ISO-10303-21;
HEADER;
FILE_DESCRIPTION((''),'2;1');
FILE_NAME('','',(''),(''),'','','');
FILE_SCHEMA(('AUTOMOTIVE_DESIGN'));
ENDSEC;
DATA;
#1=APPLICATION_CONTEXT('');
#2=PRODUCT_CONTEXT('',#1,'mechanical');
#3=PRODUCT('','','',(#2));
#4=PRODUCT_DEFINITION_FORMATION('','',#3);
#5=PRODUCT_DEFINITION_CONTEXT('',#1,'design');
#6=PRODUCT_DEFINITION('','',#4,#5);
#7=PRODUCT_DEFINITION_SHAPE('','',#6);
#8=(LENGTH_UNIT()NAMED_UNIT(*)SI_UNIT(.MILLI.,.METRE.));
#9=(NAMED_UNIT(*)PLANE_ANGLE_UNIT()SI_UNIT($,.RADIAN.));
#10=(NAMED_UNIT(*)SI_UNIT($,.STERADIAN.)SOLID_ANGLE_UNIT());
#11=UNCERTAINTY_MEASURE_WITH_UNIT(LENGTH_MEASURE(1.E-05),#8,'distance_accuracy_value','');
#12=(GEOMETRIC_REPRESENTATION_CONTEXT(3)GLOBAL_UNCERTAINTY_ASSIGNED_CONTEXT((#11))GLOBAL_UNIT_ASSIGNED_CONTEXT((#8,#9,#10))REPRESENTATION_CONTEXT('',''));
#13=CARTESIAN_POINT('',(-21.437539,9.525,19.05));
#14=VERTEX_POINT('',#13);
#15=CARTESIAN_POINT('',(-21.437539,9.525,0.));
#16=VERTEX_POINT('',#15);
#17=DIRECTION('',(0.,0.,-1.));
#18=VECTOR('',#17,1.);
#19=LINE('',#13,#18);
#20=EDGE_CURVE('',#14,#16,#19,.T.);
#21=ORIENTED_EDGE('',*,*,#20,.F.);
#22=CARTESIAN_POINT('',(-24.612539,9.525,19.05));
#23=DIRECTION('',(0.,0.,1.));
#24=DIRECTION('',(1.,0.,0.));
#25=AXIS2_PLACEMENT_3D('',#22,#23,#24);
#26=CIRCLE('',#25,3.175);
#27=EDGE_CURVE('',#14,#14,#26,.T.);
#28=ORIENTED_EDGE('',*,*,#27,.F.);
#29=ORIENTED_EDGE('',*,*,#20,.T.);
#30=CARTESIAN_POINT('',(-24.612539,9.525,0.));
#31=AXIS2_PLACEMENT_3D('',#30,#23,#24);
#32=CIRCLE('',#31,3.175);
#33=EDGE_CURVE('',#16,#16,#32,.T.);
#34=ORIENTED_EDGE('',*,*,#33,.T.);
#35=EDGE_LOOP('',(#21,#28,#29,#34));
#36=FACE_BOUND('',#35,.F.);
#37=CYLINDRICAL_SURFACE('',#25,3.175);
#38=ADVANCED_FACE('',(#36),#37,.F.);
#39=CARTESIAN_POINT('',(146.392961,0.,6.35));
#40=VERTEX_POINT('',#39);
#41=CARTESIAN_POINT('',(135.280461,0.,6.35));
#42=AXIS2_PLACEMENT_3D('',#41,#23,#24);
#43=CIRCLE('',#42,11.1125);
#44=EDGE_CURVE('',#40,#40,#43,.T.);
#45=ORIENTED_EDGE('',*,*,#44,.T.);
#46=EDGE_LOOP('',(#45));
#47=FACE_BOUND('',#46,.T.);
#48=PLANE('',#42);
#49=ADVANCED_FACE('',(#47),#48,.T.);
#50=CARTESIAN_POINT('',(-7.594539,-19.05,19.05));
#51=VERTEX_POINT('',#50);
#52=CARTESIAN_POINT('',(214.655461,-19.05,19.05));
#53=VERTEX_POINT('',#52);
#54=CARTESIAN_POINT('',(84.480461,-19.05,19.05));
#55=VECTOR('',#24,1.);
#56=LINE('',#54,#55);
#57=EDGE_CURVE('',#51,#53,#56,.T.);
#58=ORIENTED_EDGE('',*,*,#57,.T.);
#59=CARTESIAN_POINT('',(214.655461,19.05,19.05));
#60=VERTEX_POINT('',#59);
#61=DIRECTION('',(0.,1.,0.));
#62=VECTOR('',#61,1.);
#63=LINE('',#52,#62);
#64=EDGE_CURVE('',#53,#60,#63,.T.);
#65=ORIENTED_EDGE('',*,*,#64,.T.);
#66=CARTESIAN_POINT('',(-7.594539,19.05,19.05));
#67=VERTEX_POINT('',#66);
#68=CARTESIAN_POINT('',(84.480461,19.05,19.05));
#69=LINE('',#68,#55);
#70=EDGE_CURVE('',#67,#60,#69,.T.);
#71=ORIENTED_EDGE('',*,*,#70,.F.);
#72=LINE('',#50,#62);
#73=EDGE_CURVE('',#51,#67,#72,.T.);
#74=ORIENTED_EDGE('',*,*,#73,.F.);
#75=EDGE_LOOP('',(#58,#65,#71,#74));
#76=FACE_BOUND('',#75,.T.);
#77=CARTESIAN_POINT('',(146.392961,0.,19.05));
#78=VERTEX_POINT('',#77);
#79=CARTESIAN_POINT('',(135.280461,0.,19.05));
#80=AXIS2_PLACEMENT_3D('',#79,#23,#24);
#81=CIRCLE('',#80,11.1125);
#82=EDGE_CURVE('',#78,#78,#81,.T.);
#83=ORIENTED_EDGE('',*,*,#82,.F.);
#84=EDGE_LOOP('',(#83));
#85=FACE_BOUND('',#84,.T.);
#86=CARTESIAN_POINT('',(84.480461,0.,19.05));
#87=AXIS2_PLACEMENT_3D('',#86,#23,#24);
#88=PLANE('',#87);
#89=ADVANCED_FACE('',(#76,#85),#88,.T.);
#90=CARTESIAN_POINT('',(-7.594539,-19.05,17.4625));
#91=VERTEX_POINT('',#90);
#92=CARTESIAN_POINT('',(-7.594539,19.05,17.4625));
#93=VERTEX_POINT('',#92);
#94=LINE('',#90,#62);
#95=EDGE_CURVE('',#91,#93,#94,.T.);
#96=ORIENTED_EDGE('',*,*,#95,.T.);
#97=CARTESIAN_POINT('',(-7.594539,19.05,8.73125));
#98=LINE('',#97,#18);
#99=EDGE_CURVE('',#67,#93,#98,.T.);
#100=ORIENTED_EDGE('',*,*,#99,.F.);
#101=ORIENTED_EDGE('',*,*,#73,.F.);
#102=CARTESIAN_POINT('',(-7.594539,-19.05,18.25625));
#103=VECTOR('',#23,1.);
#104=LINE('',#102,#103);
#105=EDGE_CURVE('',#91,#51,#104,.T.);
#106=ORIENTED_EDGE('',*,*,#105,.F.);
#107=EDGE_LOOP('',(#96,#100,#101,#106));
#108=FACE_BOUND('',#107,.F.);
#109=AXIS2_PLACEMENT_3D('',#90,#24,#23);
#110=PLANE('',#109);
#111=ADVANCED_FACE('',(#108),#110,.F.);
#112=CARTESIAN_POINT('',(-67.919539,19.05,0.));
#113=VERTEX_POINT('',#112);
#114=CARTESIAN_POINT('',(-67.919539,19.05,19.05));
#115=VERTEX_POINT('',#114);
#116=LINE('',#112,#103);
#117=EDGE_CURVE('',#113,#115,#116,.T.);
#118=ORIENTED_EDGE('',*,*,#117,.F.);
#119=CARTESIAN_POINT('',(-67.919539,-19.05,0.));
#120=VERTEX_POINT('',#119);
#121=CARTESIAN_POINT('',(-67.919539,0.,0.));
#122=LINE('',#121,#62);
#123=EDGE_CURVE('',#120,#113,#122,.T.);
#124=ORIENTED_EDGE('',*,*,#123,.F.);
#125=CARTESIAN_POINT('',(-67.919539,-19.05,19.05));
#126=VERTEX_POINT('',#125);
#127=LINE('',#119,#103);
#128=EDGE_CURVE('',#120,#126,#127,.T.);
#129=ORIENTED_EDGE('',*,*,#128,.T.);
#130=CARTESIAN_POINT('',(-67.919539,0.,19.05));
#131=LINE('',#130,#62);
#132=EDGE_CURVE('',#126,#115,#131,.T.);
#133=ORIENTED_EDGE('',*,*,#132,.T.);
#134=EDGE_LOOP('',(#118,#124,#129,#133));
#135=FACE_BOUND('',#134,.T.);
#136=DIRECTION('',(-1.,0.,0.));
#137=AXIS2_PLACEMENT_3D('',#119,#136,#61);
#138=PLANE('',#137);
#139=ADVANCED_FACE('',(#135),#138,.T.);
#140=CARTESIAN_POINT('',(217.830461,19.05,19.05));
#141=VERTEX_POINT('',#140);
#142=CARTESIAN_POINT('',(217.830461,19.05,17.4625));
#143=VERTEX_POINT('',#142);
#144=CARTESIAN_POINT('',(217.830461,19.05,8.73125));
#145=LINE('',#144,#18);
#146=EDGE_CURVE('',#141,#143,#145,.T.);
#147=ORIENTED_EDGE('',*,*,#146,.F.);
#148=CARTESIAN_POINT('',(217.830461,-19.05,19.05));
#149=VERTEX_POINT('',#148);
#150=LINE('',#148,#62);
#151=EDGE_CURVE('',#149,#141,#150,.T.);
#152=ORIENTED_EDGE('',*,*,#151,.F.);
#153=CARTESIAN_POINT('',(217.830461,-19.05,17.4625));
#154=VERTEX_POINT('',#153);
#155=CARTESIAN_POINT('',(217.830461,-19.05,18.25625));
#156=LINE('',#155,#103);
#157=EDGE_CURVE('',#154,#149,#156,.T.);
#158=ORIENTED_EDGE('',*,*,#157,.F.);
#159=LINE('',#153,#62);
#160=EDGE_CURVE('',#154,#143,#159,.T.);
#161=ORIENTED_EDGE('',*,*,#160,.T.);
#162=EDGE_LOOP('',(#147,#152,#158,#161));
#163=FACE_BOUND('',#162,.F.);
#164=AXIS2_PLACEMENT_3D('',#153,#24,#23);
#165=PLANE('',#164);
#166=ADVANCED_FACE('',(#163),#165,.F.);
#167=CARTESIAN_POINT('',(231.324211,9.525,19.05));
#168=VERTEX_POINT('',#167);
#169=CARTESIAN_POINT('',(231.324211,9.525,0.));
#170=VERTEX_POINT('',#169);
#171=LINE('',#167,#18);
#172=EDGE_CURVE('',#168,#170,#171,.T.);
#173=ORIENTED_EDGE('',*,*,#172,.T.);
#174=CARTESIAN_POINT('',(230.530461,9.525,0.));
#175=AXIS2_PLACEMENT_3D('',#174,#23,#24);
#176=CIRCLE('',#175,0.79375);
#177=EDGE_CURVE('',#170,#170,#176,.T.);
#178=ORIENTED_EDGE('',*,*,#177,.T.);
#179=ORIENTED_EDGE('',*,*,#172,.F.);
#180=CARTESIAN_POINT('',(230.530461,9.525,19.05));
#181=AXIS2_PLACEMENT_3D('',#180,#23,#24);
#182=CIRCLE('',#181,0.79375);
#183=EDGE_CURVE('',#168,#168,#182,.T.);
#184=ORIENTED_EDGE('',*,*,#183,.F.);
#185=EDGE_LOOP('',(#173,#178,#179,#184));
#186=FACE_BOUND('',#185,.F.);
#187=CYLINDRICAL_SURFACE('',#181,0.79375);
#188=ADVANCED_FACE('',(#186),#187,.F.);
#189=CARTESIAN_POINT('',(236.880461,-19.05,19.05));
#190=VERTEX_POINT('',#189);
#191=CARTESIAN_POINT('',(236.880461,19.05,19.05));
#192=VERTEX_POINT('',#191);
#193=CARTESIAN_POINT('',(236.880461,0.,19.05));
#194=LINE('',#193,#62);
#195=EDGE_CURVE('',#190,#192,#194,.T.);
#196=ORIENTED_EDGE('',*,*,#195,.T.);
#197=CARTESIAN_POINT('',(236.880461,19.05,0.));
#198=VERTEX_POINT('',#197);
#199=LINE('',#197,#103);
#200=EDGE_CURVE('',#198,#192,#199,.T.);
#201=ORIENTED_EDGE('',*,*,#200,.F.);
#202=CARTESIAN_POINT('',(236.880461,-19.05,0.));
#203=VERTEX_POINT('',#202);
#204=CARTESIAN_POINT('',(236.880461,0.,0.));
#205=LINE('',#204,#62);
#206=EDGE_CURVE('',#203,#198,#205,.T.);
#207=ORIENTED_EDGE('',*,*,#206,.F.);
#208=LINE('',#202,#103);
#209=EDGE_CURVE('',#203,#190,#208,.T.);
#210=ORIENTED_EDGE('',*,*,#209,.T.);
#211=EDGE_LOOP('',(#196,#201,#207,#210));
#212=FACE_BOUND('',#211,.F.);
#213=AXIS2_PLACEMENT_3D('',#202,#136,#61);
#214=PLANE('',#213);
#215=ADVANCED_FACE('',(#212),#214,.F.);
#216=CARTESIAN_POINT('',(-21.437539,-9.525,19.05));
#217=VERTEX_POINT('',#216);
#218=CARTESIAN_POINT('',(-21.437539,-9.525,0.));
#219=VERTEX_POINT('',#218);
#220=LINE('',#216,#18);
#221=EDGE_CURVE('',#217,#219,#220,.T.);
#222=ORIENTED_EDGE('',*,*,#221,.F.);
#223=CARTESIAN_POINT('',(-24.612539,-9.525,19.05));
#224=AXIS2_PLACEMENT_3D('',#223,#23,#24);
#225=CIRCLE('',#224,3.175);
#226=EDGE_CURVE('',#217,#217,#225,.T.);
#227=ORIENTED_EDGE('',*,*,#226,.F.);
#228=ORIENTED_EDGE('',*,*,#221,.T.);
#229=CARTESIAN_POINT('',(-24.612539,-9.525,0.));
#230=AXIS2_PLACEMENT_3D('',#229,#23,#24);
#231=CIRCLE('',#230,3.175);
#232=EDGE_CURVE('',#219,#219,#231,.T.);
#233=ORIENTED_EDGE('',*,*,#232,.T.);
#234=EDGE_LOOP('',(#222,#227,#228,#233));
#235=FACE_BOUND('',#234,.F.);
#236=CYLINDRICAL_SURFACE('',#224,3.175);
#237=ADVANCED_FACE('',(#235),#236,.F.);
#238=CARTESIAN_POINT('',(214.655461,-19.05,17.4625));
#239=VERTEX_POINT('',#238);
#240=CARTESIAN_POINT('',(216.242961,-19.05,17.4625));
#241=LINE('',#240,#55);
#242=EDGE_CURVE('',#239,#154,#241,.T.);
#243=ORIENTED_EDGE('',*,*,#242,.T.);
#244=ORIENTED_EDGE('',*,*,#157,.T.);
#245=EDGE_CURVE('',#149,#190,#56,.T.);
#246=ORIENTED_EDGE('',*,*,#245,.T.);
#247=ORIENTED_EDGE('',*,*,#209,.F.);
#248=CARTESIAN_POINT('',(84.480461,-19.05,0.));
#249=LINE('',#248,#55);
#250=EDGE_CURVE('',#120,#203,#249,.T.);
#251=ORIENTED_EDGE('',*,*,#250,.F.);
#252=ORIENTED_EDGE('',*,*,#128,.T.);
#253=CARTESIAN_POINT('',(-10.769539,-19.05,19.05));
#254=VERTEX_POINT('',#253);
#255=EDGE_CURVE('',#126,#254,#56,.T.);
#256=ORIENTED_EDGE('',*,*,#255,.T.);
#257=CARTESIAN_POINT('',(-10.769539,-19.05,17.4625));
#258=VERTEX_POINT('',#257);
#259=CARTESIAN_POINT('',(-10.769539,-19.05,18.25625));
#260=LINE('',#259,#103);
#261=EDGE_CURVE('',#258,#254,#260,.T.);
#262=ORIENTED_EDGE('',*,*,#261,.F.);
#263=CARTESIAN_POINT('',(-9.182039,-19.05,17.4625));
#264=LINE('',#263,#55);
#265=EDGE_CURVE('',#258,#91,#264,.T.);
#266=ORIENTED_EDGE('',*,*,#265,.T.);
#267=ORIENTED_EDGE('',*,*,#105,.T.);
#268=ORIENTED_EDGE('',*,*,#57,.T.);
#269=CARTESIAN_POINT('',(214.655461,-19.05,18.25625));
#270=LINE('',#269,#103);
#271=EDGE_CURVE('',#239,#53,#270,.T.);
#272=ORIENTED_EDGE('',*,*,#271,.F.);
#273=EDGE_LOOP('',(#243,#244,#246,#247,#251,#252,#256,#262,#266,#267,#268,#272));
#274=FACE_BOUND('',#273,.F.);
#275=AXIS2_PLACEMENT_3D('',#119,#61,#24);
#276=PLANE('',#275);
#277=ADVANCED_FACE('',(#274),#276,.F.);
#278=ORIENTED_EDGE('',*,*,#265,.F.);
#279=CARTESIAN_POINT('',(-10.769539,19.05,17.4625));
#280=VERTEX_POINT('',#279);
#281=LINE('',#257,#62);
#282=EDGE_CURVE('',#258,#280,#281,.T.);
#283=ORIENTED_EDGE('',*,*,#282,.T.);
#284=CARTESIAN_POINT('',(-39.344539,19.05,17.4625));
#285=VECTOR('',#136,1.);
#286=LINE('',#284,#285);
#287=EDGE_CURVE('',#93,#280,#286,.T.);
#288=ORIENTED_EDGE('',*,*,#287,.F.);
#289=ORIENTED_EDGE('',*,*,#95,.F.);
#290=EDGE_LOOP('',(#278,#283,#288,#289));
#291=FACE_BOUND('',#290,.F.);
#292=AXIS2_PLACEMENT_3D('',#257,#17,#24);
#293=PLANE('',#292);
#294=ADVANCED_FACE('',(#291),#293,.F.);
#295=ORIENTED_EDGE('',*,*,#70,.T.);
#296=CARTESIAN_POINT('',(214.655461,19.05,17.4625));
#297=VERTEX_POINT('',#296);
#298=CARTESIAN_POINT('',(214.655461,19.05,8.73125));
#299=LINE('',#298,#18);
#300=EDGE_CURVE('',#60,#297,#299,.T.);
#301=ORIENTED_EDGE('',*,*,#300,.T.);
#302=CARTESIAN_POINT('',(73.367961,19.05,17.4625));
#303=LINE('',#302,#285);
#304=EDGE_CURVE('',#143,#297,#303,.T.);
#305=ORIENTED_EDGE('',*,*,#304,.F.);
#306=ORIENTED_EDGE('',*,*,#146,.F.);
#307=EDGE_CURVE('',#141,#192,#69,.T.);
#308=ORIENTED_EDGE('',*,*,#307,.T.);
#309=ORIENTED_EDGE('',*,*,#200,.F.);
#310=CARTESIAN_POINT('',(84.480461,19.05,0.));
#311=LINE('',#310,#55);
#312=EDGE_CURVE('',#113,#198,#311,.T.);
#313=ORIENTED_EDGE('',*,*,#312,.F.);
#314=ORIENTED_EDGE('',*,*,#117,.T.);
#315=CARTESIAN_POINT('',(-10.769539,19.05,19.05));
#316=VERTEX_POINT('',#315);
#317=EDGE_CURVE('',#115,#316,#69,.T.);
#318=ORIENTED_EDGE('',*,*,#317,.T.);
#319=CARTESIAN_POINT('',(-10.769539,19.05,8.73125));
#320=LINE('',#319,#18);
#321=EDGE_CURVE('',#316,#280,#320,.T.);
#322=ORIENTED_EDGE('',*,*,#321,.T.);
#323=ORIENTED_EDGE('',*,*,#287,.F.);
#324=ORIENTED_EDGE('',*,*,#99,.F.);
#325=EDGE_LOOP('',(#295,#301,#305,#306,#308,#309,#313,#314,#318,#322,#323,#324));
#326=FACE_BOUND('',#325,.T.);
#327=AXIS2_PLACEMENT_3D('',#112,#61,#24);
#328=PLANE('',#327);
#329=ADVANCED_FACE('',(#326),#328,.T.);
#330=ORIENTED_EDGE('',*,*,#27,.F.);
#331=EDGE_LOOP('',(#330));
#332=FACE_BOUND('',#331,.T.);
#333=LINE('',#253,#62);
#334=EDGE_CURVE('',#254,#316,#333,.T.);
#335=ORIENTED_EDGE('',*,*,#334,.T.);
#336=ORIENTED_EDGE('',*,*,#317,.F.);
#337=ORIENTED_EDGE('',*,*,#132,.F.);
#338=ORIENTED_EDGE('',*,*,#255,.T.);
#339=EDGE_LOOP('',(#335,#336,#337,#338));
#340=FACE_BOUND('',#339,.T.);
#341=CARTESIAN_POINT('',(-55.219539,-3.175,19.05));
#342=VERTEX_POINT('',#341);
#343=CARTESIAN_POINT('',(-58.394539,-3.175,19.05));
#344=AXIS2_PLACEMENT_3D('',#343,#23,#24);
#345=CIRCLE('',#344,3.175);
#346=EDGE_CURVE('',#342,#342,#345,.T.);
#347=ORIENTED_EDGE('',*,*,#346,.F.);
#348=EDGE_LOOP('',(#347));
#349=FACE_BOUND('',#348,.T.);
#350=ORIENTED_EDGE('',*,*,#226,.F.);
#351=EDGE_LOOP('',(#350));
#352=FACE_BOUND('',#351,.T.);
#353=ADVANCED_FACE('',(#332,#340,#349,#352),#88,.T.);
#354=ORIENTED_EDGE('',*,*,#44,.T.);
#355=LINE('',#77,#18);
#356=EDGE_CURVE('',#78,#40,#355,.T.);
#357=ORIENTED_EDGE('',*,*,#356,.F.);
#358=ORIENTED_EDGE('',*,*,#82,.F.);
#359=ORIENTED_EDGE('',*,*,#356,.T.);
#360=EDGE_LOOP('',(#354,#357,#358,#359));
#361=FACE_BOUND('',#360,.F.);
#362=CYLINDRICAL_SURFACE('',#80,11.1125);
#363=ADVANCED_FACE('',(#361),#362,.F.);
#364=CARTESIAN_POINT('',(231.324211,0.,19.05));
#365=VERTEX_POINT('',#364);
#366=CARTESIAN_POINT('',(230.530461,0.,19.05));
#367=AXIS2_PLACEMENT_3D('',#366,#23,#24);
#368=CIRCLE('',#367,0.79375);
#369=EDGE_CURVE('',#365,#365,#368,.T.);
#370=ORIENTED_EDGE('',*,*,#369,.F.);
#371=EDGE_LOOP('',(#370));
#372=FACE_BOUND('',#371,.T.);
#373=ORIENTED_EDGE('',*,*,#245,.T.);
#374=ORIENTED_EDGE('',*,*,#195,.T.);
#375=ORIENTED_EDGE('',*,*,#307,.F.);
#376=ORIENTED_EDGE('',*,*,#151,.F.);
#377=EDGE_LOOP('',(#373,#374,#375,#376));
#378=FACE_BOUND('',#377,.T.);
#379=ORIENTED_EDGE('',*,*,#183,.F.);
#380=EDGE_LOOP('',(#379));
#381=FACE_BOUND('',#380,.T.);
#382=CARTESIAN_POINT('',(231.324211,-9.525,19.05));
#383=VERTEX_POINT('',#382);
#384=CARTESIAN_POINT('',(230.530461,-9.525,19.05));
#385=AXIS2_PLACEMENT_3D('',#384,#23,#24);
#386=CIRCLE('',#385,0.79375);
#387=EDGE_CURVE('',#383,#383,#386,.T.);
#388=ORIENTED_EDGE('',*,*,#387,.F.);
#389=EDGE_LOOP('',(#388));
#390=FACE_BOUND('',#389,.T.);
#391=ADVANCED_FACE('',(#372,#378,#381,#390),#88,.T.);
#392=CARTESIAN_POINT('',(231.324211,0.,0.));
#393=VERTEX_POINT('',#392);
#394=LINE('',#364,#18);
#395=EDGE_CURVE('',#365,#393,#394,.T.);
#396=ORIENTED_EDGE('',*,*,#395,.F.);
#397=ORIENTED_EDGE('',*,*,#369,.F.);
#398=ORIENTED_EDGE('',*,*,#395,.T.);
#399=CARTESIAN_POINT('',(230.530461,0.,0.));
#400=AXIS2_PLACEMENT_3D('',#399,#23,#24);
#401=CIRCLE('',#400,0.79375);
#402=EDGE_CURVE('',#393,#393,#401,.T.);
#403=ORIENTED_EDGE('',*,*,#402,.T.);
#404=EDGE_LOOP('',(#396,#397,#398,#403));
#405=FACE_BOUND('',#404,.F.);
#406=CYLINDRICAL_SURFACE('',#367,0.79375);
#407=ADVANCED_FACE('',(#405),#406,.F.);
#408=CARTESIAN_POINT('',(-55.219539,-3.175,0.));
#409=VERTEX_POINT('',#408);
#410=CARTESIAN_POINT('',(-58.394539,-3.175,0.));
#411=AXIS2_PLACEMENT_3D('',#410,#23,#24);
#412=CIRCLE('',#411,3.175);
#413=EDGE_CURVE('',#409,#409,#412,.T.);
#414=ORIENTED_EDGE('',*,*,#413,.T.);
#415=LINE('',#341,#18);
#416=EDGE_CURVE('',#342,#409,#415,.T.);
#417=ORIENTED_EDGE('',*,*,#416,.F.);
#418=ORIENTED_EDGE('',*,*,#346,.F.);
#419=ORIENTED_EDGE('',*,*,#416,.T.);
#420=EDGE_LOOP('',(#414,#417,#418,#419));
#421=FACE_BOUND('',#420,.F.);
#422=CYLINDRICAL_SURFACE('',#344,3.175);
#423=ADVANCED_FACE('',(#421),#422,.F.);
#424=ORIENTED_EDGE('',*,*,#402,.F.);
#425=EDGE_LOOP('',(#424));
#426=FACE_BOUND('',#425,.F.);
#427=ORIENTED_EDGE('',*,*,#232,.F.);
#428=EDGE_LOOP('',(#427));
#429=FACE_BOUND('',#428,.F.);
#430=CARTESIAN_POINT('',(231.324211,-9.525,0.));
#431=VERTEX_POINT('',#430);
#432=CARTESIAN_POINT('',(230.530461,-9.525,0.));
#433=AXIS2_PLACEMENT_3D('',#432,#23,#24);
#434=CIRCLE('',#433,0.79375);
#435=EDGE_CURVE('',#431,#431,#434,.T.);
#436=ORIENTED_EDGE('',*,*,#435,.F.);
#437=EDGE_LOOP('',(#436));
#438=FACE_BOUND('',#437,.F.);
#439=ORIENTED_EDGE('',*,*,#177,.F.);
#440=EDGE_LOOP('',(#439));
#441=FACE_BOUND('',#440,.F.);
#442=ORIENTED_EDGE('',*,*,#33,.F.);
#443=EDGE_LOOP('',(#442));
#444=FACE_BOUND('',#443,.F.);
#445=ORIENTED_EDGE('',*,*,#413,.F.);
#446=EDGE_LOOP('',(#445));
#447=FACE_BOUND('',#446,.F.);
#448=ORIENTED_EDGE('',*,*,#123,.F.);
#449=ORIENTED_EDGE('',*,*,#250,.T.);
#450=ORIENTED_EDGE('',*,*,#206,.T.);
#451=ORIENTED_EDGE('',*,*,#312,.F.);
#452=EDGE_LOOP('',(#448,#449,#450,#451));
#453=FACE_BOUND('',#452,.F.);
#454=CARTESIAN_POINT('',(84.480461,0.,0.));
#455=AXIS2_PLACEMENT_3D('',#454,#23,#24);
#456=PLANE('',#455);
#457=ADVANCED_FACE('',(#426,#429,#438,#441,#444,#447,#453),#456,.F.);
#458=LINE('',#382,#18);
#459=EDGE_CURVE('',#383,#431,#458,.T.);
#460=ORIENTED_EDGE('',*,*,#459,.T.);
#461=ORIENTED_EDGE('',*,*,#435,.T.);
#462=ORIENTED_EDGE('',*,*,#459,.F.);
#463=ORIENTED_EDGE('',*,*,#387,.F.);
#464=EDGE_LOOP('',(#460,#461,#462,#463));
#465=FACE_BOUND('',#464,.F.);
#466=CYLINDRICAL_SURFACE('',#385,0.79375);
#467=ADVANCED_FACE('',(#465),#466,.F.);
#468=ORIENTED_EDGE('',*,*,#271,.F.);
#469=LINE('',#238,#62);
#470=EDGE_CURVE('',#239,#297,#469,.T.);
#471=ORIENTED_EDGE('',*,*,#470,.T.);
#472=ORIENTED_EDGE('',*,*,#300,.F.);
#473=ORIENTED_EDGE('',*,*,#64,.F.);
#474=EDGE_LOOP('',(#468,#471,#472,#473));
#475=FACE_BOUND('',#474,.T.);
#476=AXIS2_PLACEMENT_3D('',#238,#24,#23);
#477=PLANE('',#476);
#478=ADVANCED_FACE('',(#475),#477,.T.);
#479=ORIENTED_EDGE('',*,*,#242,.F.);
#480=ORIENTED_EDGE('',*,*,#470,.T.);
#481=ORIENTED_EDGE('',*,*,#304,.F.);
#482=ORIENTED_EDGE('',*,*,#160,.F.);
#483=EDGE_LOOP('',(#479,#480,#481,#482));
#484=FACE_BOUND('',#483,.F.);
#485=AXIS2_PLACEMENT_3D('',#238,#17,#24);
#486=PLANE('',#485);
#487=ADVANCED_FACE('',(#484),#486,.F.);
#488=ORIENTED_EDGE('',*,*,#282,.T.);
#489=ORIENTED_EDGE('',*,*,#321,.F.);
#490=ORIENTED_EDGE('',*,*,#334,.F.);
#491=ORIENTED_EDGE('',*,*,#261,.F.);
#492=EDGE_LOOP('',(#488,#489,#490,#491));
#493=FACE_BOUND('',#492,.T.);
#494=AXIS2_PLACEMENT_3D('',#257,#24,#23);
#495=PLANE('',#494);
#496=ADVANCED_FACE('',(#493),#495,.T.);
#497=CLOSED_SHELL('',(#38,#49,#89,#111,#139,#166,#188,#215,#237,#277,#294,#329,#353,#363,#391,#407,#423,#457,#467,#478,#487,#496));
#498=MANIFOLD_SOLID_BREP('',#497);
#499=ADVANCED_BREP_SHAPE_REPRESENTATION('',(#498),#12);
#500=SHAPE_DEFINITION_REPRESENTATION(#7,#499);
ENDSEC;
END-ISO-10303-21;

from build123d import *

# Parameters (mm, degrees)
F0_W      = 304.8
F0_H      = 38.1
F1_DEPTH  = 19.05
F2_R      = 11.1125
F3_DEPTH  = 12.7
F4_R      = 3.175
F5_DEPTH  = 19.051
F6_R      = 3.175
F7_DEPTH  = 19.051
F8_R      = 0.79375
F9_DEPTH  = 19.051
F10_W     = 3.175
F10_H     = 1.5875
F11_DEPTH = 38.101


with BuildPart() as f1:
    # F0 (on Top) → F1 (new body)
    with BuildSketch(Plane.XY):
        with Locations((84.480461, 0)):
            Rectangle(F0_W, F0_H)
    extrude(amount=F1_DEPTH)

    # F2 (on face) → F3 (cut)
    with BuildSketch(Plane.XY.offset(19.05)):
        with Locations((135.280461, 0)):
            Circle(F2_R)
    extrude(amount=-F3_DEPTH, mode=Mode.SUBTRACT)

    # F4 (on face) → F5 (cut, through all)
    with BuildSketch(Plane.XY.offset(19.05)):
        with Locations((-58.394539, -3.175)):
            Circle(F4_R)
    extrude(amount=-F5_DEPTH, mode=Mode.SUBTRACT)

    # F6 (on face) → F7 (cut, through all)
    with BuildSketch(Plane.XY.offset(19.05)):
        with Locations((-24.612539, -9.525)):
            Circle(F6_R)
        with Locations((-24.612539, 9.525)):
            Circle(F6_R)
    extrude(amount=-F7_DEPTH, mode=Mode.SUBTRACT)

    # F8 (on face) → F9 (cut, through all)
    with BuildSketch(Plane.XY.offset(19.05)):
        with Locations((230.530461, 9.525)):
            Circle(F8_R)
        with Locations((230.530461, 0)):
            Circle(F8_R)
        with Locations((230.530461, -9.525)):
            Circle(F8_R)
    extrude(amount=-F9_DEPTH, mode=Mode.SUBTRACT)

    # F10 (on face) → F11 (cut, through all)
    with BuildSketch(Plane.XZ.offset(19.05)):
        with Locations((-9.182039, 18.25625)):
            Rectangle(F10_W, F10_H)
        with Locations((216.242961, 18.25625)):
            Rectangle(F10_W, F10_H)
    extrude(amount=-F11_DEPTH, mode=Mode.SUBTRACT)


solid = f1.part
